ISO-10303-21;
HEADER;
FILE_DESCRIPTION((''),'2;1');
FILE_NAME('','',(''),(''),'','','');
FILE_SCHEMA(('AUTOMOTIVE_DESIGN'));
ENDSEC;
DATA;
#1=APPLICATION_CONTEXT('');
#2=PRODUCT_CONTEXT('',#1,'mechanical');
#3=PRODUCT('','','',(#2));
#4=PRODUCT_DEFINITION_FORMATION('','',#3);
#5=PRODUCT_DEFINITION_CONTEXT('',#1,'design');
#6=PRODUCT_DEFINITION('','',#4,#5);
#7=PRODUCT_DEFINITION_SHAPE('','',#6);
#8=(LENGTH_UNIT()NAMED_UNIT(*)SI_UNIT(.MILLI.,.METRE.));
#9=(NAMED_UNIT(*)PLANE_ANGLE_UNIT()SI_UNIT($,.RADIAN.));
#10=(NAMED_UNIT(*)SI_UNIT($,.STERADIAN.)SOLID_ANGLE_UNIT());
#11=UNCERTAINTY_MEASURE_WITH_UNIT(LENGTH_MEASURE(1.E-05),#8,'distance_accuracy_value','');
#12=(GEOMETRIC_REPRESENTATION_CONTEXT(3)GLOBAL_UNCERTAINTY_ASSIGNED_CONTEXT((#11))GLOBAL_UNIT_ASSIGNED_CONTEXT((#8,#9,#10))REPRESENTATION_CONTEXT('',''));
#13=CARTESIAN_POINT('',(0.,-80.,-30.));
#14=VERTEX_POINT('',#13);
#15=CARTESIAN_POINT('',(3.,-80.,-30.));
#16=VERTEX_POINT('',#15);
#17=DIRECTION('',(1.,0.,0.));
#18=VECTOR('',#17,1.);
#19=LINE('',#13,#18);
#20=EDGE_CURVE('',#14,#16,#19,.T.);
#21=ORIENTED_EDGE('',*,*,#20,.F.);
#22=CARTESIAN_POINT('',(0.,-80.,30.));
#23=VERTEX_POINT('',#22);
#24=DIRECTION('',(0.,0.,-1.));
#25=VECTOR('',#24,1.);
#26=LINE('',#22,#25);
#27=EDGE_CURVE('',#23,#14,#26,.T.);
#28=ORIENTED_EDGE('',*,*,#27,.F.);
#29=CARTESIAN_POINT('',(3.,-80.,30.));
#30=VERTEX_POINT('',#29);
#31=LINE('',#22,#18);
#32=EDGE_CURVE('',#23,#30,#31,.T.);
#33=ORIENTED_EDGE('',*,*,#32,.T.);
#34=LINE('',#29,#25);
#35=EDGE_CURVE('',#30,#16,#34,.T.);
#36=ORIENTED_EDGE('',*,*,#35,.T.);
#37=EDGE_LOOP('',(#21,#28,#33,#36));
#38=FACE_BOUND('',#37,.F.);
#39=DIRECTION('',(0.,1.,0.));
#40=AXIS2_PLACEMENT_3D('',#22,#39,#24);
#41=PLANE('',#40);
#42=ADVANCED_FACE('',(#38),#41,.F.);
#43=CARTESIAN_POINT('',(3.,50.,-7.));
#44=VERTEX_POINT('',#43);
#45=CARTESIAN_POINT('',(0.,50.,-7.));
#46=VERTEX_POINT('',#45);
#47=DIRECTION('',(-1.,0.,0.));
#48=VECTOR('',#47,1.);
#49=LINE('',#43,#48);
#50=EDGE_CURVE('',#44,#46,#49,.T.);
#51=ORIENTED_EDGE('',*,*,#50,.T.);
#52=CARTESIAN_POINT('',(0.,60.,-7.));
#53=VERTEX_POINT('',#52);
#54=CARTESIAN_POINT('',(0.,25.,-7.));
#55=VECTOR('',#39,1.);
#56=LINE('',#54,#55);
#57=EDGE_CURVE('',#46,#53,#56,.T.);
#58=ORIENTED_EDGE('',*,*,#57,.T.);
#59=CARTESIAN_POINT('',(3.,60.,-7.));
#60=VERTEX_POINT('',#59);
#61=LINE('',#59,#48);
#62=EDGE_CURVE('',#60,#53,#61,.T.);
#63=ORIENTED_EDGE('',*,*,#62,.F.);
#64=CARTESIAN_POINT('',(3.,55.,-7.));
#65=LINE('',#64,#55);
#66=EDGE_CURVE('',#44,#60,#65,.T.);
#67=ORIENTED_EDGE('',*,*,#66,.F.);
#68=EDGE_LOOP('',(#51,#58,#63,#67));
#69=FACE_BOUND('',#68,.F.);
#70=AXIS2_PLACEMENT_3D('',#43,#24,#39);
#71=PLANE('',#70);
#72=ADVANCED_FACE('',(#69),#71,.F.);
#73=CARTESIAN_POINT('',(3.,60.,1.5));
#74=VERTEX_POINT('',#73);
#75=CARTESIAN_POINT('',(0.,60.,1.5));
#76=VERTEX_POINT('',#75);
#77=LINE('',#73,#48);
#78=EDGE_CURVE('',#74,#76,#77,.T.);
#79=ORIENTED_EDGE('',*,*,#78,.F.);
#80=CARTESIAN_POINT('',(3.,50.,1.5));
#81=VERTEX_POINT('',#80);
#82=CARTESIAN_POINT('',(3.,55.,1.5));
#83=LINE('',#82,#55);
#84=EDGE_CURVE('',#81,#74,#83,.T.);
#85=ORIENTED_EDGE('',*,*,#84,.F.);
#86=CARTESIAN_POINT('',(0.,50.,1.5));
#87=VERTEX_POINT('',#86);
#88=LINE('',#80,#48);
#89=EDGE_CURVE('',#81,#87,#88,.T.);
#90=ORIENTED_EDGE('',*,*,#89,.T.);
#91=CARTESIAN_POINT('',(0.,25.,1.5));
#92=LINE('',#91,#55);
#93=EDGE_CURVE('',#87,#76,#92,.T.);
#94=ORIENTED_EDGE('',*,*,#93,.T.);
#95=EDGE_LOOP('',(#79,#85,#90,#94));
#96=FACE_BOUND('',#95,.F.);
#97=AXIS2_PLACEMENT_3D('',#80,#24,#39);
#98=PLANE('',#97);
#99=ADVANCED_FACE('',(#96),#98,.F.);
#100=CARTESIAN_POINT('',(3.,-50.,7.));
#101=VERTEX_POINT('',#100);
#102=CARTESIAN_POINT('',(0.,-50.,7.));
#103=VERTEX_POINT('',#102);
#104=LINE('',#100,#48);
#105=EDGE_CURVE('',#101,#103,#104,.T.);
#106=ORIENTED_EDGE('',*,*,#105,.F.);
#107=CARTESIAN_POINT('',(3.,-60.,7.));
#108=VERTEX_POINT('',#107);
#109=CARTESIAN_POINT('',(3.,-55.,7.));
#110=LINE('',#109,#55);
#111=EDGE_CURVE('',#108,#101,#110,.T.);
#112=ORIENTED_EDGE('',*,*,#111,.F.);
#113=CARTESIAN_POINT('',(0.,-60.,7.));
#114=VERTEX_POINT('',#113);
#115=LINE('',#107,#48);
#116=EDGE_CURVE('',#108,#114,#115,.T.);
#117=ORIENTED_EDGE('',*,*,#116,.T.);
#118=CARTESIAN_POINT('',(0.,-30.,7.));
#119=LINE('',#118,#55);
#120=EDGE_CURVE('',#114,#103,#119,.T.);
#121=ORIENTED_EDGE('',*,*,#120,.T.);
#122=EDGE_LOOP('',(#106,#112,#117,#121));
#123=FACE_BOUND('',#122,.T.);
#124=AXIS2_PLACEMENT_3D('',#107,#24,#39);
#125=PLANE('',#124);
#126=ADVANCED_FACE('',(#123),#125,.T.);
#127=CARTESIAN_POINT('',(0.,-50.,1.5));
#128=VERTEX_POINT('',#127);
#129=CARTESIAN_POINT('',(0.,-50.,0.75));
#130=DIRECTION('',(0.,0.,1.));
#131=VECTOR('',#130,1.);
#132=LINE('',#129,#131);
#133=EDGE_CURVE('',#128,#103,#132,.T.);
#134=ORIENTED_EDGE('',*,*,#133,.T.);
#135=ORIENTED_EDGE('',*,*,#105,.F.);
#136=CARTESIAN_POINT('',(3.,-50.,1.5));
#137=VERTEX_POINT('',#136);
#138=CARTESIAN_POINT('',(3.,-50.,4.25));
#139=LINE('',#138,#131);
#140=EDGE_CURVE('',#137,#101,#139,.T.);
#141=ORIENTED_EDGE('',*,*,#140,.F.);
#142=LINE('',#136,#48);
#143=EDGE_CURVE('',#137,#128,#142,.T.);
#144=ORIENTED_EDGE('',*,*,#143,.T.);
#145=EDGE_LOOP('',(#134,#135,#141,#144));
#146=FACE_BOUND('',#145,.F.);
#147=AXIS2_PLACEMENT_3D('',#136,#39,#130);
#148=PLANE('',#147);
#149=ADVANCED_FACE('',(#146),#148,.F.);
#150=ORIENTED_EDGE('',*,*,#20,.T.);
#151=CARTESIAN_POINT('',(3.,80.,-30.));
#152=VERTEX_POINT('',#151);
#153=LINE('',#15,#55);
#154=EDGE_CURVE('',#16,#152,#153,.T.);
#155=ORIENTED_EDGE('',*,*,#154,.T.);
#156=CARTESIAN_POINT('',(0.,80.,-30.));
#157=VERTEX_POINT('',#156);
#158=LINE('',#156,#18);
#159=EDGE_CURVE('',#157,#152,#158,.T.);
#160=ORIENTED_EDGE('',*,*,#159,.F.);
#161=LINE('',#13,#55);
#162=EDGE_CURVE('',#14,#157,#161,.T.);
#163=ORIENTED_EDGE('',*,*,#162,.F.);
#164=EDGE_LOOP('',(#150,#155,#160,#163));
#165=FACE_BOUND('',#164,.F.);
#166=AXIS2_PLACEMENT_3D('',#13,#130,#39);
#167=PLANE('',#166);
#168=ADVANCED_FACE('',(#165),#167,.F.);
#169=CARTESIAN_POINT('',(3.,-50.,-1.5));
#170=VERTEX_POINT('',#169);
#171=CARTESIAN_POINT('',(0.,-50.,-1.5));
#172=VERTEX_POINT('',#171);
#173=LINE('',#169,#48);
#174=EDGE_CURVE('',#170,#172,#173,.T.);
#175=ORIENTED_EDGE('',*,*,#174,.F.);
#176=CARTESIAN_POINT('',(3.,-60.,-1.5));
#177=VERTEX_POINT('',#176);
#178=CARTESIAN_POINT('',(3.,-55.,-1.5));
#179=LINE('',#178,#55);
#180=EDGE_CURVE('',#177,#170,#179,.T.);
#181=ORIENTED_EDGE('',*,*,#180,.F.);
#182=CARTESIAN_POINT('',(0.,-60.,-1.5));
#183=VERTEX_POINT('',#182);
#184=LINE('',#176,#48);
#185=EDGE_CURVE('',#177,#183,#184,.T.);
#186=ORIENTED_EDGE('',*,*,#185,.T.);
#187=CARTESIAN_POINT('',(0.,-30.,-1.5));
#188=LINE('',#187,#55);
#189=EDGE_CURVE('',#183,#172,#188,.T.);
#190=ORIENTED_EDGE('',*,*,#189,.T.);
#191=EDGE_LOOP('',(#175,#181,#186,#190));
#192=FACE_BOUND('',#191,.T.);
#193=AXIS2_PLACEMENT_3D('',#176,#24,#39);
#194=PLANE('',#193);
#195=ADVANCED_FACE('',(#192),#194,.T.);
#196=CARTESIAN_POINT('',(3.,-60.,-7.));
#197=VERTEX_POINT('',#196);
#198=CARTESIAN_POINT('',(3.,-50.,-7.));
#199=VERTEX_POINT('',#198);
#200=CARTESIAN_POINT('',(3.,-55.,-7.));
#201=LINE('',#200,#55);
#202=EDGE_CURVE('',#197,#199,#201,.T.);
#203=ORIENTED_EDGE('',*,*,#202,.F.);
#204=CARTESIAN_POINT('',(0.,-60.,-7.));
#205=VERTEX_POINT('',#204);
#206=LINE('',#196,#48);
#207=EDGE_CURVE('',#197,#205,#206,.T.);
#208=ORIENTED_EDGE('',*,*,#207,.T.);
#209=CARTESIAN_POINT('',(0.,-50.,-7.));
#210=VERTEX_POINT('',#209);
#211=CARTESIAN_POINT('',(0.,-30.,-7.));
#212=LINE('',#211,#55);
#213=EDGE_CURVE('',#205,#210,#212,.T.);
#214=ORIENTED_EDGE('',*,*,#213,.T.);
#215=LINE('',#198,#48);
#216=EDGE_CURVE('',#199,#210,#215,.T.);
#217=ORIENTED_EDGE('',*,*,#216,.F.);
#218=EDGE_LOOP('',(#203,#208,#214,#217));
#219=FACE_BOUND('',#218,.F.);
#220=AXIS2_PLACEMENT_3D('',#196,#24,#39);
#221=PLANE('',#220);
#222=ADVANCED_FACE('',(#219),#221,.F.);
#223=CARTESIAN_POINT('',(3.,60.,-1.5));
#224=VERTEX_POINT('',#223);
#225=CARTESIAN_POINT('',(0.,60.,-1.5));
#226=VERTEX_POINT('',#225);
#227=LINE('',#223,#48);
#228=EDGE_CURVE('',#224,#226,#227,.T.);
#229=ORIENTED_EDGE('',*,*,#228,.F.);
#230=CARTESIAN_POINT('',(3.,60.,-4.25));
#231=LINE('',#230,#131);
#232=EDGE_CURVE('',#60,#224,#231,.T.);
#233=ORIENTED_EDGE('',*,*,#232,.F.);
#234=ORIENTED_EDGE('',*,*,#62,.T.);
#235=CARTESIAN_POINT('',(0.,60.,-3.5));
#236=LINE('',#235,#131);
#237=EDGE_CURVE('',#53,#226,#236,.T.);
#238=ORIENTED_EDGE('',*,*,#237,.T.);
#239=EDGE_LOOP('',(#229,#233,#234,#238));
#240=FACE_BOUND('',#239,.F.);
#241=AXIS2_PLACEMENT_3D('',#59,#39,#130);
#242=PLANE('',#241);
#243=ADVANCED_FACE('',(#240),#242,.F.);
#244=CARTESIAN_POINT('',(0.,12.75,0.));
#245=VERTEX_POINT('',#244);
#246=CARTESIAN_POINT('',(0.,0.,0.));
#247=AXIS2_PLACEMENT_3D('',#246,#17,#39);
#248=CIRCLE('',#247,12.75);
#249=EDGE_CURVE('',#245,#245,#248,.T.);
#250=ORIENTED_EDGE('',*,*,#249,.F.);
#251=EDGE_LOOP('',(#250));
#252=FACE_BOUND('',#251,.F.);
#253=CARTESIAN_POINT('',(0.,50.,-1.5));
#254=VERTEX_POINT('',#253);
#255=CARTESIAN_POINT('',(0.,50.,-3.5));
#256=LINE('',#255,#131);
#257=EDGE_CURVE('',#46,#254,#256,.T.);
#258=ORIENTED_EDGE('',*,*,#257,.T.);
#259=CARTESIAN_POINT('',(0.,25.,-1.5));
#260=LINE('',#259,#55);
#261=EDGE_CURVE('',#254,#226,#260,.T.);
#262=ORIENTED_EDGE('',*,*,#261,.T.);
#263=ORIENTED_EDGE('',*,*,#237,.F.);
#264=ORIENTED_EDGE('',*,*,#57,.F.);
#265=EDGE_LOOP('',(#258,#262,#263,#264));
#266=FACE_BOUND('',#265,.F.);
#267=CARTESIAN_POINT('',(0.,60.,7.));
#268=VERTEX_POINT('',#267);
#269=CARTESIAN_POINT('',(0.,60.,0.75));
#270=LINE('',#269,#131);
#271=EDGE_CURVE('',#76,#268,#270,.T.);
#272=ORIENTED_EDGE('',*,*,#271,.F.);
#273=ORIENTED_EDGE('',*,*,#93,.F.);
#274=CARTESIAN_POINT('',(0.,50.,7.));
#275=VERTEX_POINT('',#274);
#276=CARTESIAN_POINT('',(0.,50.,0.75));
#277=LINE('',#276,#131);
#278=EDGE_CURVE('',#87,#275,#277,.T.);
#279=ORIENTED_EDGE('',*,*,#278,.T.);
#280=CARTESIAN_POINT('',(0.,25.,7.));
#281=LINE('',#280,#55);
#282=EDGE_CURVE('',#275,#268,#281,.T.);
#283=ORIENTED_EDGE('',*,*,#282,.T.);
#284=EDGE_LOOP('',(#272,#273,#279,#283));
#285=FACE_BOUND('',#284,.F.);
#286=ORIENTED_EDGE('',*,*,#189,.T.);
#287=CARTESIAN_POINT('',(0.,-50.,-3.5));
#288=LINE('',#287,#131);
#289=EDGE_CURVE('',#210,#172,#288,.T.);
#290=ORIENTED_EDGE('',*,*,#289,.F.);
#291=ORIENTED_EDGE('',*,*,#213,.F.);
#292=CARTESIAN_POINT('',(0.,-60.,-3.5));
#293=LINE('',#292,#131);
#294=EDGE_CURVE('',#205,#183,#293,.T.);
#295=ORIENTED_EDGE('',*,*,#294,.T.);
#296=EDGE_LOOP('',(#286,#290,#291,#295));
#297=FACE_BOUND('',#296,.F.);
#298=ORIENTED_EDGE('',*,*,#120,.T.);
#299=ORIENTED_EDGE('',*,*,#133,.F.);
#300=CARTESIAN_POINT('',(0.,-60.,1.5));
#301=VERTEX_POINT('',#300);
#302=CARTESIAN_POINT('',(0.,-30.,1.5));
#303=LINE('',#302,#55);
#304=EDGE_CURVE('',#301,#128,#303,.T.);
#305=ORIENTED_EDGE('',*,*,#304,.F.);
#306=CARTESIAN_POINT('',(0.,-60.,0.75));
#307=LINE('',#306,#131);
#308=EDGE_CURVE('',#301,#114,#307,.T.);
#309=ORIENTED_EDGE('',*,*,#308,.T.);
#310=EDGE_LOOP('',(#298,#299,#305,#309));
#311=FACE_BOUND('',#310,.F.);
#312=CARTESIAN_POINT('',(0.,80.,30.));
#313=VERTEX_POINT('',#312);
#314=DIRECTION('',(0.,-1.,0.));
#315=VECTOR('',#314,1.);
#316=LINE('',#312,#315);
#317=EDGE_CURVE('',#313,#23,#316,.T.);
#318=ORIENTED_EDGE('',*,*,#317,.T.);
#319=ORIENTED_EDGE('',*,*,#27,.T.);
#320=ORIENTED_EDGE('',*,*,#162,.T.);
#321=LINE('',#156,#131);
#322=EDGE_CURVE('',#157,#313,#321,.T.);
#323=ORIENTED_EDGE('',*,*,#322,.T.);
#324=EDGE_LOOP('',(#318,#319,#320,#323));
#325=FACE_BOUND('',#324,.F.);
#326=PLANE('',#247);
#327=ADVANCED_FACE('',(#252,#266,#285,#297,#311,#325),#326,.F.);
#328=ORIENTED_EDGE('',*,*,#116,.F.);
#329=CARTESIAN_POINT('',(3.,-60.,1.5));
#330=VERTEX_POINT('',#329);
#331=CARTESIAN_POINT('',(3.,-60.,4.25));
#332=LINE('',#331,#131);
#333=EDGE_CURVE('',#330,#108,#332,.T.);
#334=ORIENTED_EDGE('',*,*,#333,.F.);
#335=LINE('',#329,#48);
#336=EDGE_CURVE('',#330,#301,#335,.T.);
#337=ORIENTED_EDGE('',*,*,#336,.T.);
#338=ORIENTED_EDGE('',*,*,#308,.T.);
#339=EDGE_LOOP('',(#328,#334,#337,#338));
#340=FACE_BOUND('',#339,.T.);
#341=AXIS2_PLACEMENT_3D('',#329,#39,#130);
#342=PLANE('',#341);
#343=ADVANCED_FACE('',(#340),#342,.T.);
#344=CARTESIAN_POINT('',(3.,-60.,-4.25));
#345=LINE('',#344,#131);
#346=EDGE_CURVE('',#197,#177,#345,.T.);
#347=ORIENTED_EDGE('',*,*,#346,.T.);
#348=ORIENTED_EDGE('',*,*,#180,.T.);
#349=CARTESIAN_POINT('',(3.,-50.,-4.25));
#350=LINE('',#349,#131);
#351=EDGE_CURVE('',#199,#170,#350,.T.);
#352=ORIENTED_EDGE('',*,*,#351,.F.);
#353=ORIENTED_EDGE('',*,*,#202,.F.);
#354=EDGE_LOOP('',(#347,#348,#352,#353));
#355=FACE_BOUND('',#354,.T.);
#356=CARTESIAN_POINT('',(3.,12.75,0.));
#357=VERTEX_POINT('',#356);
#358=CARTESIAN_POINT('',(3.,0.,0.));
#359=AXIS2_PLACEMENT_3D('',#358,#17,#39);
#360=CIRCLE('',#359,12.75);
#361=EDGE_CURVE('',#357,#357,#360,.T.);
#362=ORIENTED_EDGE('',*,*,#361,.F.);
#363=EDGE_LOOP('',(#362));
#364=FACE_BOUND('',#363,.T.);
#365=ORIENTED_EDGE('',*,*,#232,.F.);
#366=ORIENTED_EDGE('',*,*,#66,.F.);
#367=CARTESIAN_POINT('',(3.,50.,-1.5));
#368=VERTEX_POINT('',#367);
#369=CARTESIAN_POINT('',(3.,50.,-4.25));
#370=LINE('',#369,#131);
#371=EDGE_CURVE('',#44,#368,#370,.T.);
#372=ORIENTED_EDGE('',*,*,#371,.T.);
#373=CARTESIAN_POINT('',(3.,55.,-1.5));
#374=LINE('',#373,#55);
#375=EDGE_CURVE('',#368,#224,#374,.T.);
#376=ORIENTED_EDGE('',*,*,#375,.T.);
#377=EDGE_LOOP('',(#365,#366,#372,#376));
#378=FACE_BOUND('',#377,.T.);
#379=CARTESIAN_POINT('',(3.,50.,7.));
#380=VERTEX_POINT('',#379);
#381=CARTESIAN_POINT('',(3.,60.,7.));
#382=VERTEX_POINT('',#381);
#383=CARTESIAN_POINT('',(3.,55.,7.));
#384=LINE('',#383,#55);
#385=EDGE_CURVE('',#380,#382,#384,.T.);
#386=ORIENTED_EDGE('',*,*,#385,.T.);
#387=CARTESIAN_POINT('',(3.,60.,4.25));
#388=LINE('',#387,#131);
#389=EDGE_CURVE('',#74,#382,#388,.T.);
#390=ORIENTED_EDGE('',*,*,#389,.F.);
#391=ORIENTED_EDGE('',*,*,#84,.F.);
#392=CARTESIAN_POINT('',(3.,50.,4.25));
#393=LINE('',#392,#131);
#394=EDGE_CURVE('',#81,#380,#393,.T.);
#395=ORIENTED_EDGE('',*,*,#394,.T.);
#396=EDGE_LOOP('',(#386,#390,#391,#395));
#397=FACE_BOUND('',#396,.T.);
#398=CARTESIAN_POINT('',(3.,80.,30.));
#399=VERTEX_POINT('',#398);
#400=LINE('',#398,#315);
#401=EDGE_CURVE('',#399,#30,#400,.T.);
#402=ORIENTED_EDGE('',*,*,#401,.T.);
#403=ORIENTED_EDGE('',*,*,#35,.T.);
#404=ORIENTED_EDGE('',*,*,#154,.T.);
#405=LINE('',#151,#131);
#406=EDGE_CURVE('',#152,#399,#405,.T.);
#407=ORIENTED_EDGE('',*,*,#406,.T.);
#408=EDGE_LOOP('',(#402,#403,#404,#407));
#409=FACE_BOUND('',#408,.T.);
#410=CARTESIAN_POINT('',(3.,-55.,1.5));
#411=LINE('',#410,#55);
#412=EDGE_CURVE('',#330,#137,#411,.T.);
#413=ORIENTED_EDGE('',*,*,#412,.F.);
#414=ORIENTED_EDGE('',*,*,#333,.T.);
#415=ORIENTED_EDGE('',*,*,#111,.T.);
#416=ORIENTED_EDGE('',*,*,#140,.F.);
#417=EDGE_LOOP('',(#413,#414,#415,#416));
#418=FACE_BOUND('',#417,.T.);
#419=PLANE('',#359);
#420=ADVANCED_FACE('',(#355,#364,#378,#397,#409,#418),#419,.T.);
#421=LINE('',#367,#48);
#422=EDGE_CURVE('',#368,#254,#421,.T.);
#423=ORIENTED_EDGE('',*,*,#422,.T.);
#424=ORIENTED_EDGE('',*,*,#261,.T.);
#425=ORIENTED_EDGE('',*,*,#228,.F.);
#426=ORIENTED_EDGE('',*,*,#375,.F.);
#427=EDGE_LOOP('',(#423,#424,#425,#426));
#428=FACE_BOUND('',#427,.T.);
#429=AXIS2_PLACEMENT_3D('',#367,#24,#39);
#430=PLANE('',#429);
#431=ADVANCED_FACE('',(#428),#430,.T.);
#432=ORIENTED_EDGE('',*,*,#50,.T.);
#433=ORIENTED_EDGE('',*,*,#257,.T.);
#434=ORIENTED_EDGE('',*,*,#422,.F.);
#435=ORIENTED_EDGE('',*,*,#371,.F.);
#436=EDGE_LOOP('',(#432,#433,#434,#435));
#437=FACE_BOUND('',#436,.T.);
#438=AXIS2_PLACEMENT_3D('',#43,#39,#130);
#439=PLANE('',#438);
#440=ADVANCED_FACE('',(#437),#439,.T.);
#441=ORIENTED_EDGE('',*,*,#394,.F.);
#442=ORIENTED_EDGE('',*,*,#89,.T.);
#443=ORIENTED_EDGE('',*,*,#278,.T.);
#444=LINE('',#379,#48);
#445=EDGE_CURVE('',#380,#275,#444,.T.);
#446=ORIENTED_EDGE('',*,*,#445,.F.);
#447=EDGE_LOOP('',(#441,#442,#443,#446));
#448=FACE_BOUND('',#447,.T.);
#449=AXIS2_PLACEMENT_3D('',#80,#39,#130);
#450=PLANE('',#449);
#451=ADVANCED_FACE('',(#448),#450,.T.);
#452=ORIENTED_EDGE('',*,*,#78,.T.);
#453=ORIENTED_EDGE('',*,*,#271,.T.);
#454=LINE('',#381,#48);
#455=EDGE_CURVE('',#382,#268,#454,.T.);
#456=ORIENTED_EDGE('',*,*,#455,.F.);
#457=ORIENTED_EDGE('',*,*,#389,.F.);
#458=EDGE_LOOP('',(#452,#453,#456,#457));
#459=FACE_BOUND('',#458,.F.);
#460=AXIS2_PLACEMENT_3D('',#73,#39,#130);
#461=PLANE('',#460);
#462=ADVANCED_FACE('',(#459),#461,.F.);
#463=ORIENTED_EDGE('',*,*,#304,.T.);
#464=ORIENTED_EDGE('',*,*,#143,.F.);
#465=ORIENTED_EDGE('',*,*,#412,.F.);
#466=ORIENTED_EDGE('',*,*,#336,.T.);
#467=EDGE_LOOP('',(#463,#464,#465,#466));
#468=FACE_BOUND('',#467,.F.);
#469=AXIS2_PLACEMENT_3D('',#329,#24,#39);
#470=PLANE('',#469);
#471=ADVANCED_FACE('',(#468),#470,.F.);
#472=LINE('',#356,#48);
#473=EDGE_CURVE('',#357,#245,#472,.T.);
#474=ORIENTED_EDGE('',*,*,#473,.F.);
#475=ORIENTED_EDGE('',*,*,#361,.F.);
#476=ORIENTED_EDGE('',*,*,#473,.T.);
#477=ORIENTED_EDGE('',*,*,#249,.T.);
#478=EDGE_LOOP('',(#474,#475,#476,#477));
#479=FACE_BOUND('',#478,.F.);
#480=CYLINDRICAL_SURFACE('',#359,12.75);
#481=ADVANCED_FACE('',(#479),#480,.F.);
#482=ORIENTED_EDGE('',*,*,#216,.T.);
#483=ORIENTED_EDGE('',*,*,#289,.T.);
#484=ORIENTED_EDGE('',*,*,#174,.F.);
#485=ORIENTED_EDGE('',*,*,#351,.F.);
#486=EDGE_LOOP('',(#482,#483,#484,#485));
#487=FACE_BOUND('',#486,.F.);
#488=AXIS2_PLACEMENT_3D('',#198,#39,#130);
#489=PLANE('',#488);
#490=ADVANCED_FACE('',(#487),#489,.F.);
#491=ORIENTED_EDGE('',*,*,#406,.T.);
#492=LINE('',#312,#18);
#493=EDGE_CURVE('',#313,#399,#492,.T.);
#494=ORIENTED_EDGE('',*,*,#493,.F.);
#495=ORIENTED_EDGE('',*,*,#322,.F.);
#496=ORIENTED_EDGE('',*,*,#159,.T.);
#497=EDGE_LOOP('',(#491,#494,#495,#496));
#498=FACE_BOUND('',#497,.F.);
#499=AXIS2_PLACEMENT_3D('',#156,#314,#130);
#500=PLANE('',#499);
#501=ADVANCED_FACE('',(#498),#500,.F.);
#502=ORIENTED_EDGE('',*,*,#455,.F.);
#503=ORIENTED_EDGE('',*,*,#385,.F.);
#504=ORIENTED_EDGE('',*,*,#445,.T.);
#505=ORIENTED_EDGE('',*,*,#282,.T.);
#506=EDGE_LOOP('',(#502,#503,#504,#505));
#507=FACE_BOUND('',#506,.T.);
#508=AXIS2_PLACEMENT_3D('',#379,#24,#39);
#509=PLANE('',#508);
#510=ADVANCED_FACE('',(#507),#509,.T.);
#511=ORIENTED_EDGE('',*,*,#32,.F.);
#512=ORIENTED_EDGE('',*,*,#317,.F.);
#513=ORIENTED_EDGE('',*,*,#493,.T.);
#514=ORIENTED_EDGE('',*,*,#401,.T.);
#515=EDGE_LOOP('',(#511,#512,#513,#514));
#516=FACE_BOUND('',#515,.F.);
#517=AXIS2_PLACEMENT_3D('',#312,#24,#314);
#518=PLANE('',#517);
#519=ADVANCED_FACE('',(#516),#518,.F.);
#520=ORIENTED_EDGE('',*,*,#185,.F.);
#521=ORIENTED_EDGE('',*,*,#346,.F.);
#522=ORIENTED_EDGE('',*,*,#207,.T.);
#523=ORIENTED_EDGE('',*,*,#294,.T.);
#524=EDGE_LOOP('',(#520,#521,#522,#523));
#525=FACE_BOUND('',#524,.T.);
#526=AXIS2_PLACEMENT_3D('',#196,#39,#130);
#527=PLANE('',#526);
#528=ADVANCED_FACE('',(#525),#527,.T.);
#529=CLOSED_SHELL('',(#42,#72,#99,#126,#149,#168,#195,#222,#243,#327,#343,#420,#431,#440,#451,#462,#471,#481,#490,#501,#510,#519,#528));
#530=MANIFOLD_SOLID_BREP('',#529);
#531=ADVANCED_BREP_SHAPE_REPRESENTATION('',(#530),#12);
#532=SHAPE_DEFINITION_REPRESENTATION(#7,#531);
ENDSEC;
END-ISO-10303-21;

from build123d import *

# Parameters (mm, degrees)
F1_DEPTH = 3
F2_W     = 10
F2_H     = 5.5
F3_DEPTH = 25
F4_R     = 12.75
F5_DEPTH = 25


with BuildPart() as f1:
    # F0 (on Right) → F1 (new body)
    with BuildSketch(Plane.YZ):
        Polygon((80, 30), (0, 30), (-80, 30), (-80, -30), (0, -30), (80, -30), align=None)
    extrude(amount=F1_DEPTH)

    # F2 (on face) → F3 (cut)
    with BuildSketch(Plane.YZ.offset(3)):
        with Locations((-55, -4.25)):
            Rectangle(F2_W, F2_H)
        with Locations((-55, 4.25)):
            Rectangle(F2_W, F2_H)
        with Locations((55, 4.25)):
            Rectangle(F2_W, F2_H)
        with Locations((55, -4.25)):
            Rectangle(F2_W, F2_H)
    extrude(amount=-F3_DEPTH, mode=Mode.SUBTRACT)

    # F4 (on face) → F5 (cut)
    with BuildSketch(Plane.YZ.offset(3)):
        Circle(F4_R)
    extrude(amount=-F5_DEPTH, mode=Mode.SUBTRACT)


solid = f1.part
